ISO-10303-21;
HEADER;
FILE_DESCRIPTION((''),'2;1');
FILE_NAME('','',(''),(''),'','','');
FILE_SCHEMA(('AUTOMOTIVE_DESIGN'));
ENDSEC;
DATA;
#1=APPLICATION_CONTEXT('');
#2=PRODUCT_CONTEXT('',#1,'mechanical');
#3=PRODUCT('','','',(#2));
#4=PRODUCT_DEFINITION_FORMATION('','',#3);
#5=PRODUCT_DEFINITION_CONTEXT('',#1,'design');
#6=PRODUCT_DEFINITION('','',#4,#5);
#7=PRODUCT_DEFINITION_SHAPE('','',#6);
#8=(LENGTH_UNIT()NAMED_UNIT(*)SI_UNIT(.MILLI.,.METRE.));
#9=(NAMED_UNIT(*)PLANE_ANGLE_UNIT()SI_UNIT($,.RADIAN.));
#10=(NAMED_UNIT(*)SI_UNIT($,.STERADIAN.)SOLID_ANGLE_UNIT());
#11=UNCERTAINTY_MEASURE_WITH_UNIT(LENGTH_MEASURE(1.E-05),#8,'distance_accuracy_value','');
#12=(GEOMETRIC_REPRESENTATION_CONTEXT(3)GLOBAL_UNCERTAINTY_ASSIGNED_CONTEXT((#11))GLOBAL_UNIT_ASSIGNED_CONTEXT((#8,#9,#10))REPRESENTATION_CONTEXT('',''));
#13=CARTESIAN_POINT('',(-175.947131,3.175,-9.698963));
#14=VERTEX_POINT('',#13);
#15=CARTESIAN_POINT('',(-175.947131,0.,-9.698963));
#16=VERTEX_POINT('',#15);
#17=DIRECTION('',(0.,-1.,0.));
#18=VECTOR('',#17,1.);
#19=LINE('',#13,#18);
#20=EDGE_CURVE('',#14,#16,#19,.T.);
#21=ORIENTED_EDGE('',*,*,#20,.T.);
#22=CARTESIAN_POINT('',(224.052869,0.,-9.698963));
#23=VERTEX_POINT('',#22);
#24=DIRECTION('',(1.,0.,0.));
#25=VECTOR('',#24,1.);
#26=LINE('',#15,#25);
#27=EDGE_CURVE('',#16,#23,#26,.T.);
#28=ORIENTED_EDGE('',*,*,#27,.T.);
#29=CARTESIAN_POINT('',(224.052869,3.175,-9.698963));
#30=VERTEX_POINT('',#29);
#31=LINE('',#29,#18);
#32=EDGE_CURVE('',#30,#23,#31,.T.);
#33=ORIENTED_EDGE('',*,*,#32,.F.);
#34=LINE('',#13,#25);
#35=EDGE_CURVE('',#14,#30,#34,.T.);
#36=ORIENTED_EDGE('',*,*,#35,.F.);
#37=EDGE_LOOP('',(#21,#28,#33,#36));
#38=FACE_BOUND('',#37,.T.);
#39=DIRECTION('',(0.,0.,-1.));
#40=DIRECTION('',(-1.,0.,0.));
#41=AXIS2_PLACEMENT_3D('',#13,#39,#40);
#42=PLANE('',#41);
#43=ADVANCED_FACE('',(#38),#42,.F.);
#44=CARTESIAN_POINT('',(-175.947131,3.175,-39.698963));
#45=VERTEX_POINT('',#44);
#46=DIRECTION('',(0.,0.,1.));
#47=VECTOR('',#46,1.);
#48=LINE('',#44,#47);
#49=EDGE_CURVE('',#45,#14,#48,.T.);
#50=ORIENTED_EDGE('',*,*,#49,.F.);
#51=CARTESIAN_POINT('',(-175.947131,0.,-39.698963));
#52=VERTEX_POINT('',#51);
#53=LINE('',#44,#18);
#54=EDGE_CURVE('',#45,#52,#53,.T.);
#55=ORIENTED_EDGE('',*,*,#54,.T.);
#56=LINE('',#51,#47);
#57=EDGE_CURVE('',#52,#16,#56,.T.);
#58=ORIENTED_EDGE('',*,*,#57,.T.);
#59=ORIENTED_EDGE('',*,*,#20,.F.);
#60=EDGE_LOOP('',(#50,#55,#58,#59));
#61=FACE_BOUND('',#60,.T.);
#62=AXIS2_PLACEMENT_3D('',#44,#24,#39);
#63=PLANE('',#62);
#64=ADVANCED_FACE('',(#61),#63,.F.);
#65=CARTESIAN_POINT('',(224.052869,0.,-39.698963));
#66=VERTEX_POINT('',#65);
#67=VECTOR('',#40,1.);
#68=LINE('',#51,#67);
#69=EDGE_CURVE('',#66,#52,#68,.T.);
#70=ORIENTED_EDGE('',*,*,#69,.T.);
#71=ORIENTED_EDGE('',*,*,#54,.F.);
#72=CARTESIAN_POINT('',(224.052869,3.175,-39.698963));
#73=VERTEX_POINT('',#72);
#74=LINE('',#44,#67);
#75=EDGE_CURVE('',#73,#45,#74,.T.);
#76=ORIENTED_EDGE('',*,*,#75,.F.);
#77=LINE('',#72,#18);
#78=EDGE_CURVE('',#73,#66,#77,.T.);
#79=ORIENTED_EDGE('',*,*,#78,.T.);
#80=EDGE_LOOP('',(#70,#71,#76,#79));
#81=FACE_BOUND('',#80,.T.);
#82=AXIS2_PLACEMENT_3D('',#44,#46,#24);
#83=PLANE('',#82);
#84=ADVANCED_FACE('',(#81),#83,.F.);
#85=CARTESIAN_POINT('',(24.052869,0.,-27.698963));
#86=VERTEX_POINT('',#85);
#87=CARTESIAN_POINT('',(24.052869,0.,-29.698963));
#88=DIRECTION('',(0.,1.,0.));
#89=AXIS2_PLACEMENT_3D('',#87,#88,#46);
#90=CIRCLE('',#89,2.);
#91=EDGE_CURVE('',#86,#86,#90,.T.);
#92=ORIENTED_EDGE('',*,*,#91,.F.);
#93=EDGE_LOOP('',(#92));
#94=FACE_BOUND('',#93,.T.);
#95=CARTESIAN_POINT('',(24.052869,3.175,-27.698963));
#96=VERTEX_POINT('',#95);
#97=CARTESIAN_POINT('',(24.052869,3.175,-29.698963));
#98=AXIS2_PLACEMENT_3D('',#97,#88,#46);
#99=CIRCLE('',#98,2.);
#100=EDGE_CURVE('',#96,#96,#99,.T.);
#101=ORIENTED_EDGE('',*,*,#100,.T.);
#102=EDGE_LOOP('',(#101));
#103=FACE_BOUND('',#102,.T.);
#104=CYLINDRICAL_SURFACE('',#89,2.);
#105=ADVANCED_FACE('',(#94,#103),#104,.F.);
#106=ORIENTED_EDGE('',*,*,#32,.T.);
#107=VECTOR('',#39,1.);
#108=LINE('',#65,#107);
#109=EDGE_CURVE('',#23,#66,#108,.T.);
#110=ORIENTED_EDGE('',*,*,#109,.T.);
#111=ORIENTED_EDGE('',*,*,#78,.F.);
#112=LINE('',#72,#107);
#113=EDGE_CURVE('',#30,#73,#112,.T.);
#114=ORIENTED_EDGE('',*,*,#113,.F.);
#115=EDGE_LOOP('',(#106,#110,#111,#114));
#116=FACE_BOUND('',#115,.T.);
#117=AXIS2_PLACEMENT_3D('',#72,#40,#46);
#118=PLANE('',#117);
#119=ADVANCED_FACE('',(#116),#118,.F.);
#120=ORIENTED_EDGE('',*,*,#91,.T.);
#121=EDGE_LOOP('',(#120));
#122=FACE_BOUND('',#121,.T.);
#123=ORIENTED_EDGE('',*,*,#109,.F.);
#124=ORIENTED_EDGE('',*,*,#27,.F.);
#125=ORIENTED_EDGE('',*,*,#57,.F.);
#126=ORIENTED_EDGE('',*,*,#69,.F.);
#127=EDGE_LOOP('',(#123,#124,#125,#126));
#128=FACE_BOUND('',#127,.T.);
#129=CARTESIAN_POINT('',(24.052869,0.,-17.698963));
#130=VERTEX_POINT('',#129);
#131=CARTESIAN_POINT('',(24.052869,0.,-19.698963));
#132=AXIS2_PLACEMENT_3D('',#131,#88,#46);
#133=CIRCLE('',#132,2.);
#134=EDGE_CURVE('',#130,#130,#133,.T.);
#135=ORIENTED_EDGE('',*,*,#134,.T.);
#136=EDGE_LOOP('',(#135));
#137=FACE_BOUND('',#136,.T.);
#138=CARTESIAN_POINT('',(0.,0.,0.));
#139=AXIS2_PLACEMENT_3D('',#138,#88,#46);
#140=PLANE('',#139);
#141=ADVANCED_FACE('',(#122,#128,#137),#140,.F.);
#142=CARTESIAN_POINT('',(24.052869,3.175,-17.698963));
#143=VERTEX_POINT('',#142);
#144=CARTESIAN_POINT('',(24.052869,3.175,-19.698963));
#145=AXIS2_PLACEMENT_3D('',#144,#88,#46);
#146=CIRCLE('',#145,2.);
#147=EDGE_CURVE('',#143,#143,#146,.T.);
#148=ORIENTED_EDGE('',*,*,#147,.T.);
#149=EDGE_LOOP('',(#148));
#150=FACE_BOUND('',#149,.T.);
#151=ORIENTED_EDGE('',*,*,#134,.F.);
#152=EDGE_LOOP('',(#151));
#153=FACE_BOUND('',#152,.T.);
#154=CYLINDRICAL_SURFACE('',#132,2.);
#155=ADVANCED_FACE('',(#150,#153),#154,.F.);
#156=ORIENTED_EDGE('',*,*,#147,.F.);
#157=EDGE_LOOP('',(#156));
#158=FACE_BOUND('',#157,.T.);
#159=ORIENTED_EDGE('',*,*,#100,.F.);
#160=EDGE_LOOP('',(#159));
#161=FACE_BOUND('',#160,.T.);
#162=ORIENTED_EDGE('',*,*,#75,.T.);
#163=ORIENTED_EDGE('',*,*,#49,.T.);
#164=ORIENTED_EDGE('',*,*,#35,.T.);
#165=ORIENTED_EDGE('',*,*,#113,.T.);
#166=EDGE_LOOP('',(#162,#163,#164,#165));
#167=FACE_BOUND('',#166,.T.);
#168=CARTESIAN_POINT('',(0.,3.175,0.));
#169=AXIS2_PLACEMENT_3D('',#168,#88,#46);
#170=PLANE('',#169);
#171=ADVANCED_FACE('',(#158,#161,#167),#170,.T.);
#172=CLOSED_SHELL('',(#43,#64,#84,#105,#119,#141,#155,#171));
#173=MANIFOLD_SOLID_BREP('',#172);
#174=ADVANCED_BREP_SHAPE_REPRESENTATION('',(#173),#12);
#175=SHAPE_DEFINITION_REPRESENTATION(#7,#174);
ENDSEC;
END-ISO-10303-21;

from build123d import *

# Parameters (mm, degrees)
SKETCH1_W           = 400
SKETCH1_H           = 30
BOSS_EXTRUDE1_DEPTH = 3.175
SKETCH2_R           = 2
CUT_EXTRUDE1_DEPTH  = 3.175


with BuildPart() as part:
    # Sketch1 → Boss-Extrude1 (new body)
    with BuildSketch(Plane(origin=(0, 0, 0), x_dir=(1, 0, 0), z_dir=(0, 1, 0))):
        with Locations((24.052868647, 24.698962692)):
            Rectangle(SKETCH1_W, SKETCH1_H)
    extrude(amount=BOSS_EXTRUDE1_DEPTH)

    # Sketch2 → Cut-Extrude1 (cut)
    with BuildSketch(Plane(origin=(0, 3.175, 0), x_dir=(1, 0, 0), z_dir=(0, 1, 0))):
        with Locations((24.052868647, 29.698962692)):
            Circle(SKETCH2_R)
        with Locations((24.052868647, 19.698962692)):
            Circle(SKETCH2_R)
    extrude(amount=-CUT_EXTRUDE1_DEPTH, mode=Mode.SUBTRACT)


solid = part.part
